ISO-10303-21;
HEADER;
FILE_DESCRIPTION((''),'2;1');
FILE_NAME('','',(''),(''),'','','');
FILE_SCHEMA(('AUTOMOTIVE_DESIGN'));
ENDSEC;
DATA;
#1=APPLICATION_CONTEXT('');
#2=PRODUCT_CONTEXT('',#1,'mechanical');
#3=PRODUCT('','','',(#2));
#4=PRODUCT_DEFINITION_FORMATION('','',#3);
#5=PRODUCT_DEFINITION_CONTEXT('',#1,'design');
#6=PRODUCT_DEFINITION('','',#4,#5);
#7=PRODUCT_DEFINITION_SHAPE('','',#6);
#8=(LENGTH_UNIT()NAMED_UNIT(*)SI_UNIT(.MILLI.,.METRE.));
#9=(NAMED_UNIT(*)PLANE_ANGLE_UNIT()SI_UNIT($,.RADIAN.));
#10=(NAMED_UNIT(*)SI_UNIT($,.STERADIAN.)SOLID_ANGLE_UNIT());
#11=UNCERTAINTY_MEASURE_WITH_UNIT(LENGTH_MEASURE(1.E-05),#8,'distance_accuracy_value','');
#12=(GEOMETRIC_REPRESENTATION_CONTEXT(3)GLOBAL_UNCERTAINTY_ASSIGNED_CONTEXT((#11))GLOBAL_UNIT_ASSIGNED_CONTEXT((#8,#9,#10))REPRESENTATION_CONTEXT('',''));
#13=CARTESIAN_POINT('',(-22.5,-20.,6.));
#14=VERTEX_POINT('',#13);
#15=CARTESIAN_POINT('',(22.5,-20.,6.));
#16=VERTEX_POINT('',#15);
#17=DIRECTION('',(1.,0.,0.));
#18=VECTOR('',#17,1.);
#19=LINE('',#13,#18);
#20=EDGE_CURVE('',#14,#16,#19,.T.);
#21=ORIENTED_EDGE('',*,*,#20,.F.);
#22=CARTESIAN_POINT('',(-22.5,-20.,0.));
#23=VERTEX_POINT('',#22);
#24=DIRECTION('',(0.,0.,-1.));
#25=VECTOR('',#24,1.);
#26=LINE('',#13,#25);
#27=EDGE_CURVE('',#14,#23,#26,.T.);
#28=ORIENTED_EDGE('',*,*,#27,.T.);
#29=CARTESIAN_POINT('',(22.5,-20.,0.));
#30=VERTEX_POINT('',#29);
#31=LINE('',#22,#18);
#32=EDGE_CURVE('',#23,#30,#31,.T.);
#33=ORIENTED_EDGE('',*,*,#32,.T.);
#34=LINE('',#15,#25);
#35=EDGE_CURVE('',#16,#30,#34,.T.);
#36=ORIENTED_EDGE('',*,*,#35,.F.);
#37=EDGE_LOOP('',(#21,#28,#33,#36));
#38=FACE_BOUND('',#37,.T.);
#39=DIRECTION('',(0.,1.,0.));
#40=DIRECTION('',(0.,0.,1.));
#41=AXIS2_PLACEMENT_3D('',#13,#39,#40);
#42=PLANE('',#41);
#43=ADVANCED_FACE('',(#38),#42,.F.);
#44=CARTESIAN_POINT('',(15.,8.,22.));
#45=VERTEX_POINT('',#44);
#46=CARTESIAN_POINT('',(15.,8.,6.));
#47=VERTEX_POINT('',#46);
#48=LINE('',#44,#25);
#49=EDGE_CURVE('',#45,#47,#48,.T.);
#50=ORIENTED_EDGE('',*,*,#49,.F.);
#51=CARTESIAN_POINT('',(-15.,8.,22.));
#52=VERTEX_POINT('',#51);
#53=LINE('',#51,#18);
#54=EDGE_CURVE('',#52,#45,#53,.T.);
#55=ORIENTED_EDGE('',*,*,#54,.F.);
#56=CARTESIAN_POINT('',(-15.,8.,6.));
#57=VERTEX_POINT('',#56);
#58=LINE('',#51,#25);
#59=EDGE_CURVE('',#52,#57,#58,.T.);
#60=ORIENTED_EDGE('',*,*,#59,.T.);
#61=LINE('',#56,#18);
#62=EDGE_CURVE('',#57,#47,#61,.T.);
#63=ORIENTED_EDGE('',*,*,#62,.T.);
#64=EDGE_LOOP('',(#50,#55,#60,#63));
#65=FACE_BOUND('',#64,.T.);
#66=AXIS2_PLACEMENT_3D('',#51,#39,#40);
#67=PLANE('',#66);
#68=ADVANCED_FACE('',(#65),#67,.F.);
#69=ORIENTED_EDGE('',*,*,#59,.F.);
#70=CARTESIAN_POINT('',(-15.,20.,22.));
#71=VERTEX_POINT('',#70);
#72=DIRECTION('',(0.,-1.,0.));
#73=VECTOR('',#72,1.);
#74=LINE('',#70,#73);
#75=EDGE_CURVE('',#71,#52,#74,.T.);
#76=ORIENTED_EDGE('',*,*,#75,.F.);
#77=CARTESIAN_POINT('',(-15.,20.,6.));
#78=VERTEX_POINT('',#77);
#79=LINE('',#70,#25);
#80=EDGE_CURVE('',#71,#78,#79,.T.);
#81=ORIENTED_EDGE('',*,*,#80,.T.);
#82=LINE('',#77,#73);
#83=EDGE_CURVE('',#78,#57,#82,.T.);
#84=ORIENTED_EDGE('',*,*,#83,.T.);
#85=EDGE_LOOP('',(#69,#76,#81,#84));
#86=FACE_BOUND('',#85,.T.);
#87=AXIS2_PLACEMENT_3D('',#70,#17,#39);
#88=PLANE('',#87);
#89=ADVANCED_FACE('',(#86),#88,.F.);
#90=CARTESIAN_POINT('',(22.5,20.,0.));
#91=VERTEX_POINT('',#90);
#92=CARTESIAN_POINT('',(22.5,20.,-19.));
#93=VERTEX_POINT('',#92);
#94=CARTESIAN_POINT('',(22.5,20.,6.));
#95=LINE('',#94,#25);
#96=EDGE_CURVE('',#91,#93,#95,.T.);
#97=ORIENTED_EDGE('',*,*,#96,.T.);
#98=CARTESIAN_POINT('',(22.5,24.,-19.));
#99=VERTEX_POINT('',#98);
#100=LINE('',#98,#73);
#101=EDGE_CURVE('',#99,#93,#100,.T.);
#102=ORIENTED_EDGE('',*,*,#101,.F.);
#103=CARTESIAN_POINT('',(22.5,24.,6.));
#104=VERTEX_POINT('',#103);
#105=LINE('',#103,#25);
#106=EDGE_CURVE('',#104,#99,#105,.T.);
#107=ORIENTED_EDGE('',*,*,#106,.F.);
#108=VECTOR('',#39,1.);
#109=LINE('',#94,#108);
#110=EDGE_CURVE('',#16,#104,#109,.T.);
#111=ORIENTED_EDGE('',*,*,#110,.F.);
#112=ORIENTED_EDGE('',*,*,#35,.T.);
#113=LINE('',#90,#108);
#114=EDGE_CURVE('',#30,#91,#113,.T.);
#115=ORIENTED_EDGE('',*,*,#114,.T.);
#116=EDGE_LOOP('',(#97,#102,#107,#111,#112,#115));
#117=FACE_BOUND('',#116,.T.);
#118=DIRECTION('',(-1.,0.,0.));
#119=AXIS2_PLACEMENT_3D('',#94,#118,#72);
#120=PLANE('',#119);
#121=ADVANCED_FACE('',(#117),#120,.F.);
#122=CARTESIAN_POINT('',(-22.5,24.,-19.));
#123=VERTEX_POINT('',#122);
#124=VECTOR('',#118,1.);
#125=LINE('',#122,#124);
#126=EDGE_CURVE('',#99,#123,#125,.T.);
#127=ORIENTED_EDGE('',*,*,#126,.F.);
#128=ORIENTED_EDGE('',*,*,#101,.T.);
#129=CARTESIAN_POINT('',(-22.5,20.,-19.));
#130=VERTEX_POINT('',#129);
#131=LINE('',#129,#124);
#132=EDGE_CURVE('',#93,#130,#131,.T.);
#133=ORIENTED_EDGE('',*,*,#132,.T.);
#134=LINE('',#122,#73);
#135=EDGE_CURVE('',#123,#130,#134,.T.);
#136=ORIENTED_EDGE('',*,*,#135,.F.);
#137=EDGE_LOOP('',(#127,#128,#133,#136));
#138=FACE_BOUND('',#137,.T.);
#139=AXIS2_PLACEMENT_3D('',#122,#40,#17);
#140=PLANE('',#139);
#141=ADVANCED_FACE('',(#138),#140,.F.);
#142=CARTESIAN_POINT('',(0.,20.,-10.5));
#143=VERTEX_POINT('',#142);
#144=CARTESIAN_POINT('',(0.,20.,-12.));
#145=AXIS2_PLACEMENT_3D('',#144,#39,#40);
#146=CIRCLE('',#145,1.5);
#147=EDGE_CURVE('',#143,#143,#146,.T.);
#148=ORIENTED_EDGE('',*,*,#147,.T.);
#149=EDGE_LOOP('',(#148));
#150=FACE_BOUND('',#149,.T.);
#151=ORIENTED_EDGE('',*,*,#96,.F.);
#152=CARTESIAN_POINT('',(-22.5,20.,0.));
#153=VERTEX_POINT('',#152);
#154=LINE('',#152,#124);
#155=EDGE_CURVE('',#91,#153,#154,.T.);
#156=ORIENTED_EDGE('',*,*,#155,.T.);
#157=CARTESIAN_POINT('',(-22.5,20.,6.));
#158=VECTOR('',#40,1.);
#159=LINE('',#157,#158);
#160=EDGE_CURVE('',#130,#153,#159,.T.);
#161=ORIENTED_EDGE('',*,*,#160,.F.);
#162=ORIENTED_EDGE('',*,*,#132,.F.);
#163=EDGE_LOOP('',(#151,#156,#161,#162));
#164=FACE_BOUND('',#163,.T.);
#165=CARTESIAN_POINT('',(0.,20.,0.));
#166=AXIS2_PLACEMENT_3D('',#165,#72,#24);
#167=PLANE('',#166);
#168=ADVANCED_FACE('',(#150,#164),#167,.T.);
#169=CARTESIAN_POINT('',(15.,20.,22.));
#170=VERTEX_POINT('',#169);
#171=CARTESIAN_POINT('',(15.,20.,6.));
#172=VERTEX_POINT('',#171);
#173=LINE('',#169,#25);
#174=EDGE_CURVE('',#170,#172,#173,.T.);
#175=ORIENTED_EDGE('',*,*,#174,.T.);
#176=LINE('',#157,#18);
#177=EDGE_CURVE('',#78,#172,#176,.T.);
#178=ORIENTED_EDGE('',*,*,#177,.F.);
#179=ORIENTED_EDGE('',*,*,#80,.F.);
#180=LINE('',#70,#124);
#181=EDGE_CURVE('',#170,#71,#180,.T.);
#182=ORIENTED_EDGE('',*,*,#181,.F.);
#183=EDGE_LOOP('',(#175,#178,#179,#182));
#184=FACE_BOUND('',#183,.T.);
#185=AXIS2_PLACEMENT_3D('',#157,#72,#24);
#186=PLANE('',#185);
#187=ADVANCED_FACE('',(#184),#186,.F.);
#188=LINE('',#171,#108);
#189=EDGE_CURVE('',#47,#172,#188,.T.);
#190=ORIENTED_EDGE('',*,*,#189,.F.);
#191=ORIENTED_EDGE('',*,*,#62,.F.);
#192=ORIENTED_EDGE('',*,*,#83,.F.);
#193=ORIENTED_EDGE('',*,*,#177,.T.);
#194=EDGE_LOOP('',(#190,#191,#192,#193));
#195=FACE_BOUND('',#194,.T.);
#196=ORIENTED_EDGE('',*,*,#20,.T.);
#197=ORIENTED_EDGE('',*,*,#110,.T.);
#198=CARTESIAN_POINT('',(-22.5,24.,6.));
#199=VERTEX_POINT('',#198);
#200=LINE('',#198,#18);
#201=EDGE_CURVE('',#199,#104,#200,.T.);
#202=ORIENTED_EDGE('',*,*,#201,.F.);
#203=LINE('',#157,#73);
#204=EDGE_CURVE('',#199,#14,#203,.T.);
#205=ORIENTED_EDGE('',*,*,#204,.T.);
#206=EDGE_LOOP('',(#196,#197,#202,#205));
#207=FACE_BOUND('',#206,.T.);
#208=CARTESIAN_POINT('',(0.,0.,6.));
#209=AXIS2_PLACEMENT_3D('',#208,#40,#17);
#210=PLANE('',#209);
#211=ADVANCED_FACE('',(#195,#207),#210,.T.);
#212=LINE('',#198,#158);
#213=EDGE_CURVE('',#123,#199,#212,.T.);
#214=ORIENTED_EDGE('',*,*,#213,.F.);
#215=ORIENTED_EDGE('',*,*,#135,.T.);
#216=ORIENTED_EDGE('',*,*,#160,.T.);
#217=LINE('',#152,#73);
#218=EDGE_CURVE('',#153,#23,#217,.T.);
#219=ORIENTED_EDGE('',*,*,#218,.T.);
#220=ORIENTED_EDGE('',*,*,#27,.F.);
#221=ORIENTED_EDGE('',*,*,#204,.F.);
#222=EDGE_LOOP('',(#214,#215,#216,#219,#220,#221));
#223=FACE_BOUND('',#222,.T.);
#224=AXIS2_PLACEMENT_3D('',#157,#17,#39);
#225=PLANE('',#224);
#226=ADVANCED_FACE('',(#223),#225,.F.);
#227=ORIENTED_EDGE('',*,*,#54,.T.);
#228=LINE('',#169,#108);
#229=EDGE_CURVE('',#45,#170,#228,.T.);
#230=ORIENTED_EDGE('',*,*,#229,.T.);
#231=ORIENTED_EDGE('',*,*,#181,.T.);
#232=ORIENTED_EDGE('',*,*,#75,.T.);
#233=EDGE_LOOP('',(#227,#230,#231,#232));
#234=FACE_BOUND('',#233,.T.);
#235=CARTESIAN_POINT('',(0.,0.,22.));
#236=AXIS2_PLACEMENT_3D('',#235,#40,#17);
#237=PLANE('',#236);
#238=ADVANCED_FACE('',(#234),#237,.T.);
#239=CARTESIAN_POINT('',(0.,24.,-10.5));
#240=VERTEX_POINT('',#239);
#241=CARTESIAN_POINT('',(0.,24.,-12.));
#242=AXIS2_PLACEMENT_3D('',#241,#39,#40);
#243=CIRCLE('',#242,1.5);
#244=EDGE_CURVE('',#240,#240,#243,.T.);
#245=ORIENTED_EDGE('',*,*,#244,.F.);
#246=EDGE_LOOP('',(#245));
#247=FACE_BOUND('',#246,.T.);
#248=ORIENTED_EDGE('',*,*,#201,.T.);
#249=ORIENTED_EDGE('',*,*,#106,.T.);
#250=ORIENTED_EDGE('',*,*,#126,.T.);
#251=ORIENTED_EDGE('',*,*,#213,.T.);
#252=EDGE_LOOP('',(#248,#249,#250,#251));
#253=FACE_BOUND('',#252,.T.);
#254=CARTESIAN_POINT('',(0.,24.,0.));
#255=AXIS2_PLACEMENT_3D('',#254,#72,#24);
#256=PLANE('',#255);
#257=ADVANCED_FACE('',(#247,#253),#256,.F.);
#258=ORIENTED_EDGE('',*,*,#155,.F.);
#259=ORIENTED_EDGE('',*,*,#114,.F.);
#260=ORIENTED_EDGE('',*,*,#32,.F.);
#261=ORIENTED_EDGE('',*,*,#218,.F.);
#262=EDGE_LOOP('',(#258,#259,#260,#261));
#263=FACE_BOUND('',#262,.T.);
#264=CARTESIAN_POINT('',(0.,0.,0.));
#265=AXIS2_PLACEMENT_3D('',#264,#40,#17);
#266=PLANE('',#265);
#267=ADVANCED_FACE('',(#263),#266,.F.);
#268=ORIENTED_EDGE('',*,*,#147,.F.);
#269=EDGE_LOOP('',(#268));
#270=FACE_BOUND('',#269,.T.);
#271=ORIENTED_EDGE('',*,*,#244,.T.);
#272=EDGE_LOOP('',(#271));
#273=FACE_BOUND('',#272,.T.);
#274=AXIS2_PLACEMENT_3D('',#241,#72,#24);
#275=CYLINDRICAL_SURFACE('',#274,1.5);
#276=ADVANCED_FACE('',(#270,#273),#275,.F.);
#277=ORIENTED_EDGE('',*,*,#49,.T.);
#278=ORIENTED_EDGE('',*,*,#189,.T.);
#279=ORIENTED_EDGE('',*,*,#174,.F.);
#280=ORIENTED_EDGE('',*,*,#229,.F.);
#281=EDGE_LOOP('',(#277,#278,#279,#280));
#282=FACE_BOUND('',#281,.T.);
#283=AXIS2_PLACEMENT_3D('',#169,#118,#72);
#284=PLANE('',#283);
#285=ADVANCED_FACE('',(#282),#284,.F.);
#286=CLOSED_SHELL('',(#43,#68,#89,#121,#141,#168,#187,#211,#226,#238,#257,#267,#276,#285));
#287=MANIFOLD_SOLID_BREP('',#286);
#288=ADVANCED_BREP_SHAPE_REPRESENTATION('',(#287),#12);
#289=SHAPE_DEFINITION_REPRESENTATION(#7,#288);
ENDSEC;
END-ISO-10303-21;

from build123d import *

# Parameters (mm, degrees)
SKETCH1_W           = 45
SKETCH1_H           = 40
BOSS_EXTRUDE1_DEPTH = 6
SKETCH2_W           = 30
SKETCH2_H           = 12
BOSS_EXTRUDE2_DEPTH = 16
SKETCH3_W           = 45
SKETCH3_H           = 25
SKETCH3_R           = 1.5
BOSS_EXTRUDE3_DEPTH = 4


with BuildPart() as part:
    # Sketch1 → Boss-Extrude1 (new body)
    with BuildSketch(Plane.XY):
        Rectangle(SKETCH1_W, SKETCH1_H)
    extrude(amount=BOSS_EXTRUDE1_DEPTH)

    # Sketch2 → Boss-Extrude2 (add)
    with BuildSketch(Plane.XY.offset(6)):
        with Locations((0, 14)):
            Rectangle(SKETCH2_W, SKETCH2_H)
    extrude(amount=BOSS_EXTRUDE2_DEPTH)

    # Sketch3 → Boss-Extrude3 (add)
    with BuildSketch(Plane(origin=(0, 20, 0), x_dir=(1, 0, 0), z_dir=(0, 1, 0))):
        with Locations((0, 6.5)):
            Rectangle(SKETCH3_W, SKETCH3_H)
        with Locations(Location((0, 12, 0), (0, 0, 270))):
            Circle(SKETCH3_R, mode=Mode.SUBTRACT)
    extrude(amount=BOSS_EXTRUDE3_DEPTH)


solid = part.part
